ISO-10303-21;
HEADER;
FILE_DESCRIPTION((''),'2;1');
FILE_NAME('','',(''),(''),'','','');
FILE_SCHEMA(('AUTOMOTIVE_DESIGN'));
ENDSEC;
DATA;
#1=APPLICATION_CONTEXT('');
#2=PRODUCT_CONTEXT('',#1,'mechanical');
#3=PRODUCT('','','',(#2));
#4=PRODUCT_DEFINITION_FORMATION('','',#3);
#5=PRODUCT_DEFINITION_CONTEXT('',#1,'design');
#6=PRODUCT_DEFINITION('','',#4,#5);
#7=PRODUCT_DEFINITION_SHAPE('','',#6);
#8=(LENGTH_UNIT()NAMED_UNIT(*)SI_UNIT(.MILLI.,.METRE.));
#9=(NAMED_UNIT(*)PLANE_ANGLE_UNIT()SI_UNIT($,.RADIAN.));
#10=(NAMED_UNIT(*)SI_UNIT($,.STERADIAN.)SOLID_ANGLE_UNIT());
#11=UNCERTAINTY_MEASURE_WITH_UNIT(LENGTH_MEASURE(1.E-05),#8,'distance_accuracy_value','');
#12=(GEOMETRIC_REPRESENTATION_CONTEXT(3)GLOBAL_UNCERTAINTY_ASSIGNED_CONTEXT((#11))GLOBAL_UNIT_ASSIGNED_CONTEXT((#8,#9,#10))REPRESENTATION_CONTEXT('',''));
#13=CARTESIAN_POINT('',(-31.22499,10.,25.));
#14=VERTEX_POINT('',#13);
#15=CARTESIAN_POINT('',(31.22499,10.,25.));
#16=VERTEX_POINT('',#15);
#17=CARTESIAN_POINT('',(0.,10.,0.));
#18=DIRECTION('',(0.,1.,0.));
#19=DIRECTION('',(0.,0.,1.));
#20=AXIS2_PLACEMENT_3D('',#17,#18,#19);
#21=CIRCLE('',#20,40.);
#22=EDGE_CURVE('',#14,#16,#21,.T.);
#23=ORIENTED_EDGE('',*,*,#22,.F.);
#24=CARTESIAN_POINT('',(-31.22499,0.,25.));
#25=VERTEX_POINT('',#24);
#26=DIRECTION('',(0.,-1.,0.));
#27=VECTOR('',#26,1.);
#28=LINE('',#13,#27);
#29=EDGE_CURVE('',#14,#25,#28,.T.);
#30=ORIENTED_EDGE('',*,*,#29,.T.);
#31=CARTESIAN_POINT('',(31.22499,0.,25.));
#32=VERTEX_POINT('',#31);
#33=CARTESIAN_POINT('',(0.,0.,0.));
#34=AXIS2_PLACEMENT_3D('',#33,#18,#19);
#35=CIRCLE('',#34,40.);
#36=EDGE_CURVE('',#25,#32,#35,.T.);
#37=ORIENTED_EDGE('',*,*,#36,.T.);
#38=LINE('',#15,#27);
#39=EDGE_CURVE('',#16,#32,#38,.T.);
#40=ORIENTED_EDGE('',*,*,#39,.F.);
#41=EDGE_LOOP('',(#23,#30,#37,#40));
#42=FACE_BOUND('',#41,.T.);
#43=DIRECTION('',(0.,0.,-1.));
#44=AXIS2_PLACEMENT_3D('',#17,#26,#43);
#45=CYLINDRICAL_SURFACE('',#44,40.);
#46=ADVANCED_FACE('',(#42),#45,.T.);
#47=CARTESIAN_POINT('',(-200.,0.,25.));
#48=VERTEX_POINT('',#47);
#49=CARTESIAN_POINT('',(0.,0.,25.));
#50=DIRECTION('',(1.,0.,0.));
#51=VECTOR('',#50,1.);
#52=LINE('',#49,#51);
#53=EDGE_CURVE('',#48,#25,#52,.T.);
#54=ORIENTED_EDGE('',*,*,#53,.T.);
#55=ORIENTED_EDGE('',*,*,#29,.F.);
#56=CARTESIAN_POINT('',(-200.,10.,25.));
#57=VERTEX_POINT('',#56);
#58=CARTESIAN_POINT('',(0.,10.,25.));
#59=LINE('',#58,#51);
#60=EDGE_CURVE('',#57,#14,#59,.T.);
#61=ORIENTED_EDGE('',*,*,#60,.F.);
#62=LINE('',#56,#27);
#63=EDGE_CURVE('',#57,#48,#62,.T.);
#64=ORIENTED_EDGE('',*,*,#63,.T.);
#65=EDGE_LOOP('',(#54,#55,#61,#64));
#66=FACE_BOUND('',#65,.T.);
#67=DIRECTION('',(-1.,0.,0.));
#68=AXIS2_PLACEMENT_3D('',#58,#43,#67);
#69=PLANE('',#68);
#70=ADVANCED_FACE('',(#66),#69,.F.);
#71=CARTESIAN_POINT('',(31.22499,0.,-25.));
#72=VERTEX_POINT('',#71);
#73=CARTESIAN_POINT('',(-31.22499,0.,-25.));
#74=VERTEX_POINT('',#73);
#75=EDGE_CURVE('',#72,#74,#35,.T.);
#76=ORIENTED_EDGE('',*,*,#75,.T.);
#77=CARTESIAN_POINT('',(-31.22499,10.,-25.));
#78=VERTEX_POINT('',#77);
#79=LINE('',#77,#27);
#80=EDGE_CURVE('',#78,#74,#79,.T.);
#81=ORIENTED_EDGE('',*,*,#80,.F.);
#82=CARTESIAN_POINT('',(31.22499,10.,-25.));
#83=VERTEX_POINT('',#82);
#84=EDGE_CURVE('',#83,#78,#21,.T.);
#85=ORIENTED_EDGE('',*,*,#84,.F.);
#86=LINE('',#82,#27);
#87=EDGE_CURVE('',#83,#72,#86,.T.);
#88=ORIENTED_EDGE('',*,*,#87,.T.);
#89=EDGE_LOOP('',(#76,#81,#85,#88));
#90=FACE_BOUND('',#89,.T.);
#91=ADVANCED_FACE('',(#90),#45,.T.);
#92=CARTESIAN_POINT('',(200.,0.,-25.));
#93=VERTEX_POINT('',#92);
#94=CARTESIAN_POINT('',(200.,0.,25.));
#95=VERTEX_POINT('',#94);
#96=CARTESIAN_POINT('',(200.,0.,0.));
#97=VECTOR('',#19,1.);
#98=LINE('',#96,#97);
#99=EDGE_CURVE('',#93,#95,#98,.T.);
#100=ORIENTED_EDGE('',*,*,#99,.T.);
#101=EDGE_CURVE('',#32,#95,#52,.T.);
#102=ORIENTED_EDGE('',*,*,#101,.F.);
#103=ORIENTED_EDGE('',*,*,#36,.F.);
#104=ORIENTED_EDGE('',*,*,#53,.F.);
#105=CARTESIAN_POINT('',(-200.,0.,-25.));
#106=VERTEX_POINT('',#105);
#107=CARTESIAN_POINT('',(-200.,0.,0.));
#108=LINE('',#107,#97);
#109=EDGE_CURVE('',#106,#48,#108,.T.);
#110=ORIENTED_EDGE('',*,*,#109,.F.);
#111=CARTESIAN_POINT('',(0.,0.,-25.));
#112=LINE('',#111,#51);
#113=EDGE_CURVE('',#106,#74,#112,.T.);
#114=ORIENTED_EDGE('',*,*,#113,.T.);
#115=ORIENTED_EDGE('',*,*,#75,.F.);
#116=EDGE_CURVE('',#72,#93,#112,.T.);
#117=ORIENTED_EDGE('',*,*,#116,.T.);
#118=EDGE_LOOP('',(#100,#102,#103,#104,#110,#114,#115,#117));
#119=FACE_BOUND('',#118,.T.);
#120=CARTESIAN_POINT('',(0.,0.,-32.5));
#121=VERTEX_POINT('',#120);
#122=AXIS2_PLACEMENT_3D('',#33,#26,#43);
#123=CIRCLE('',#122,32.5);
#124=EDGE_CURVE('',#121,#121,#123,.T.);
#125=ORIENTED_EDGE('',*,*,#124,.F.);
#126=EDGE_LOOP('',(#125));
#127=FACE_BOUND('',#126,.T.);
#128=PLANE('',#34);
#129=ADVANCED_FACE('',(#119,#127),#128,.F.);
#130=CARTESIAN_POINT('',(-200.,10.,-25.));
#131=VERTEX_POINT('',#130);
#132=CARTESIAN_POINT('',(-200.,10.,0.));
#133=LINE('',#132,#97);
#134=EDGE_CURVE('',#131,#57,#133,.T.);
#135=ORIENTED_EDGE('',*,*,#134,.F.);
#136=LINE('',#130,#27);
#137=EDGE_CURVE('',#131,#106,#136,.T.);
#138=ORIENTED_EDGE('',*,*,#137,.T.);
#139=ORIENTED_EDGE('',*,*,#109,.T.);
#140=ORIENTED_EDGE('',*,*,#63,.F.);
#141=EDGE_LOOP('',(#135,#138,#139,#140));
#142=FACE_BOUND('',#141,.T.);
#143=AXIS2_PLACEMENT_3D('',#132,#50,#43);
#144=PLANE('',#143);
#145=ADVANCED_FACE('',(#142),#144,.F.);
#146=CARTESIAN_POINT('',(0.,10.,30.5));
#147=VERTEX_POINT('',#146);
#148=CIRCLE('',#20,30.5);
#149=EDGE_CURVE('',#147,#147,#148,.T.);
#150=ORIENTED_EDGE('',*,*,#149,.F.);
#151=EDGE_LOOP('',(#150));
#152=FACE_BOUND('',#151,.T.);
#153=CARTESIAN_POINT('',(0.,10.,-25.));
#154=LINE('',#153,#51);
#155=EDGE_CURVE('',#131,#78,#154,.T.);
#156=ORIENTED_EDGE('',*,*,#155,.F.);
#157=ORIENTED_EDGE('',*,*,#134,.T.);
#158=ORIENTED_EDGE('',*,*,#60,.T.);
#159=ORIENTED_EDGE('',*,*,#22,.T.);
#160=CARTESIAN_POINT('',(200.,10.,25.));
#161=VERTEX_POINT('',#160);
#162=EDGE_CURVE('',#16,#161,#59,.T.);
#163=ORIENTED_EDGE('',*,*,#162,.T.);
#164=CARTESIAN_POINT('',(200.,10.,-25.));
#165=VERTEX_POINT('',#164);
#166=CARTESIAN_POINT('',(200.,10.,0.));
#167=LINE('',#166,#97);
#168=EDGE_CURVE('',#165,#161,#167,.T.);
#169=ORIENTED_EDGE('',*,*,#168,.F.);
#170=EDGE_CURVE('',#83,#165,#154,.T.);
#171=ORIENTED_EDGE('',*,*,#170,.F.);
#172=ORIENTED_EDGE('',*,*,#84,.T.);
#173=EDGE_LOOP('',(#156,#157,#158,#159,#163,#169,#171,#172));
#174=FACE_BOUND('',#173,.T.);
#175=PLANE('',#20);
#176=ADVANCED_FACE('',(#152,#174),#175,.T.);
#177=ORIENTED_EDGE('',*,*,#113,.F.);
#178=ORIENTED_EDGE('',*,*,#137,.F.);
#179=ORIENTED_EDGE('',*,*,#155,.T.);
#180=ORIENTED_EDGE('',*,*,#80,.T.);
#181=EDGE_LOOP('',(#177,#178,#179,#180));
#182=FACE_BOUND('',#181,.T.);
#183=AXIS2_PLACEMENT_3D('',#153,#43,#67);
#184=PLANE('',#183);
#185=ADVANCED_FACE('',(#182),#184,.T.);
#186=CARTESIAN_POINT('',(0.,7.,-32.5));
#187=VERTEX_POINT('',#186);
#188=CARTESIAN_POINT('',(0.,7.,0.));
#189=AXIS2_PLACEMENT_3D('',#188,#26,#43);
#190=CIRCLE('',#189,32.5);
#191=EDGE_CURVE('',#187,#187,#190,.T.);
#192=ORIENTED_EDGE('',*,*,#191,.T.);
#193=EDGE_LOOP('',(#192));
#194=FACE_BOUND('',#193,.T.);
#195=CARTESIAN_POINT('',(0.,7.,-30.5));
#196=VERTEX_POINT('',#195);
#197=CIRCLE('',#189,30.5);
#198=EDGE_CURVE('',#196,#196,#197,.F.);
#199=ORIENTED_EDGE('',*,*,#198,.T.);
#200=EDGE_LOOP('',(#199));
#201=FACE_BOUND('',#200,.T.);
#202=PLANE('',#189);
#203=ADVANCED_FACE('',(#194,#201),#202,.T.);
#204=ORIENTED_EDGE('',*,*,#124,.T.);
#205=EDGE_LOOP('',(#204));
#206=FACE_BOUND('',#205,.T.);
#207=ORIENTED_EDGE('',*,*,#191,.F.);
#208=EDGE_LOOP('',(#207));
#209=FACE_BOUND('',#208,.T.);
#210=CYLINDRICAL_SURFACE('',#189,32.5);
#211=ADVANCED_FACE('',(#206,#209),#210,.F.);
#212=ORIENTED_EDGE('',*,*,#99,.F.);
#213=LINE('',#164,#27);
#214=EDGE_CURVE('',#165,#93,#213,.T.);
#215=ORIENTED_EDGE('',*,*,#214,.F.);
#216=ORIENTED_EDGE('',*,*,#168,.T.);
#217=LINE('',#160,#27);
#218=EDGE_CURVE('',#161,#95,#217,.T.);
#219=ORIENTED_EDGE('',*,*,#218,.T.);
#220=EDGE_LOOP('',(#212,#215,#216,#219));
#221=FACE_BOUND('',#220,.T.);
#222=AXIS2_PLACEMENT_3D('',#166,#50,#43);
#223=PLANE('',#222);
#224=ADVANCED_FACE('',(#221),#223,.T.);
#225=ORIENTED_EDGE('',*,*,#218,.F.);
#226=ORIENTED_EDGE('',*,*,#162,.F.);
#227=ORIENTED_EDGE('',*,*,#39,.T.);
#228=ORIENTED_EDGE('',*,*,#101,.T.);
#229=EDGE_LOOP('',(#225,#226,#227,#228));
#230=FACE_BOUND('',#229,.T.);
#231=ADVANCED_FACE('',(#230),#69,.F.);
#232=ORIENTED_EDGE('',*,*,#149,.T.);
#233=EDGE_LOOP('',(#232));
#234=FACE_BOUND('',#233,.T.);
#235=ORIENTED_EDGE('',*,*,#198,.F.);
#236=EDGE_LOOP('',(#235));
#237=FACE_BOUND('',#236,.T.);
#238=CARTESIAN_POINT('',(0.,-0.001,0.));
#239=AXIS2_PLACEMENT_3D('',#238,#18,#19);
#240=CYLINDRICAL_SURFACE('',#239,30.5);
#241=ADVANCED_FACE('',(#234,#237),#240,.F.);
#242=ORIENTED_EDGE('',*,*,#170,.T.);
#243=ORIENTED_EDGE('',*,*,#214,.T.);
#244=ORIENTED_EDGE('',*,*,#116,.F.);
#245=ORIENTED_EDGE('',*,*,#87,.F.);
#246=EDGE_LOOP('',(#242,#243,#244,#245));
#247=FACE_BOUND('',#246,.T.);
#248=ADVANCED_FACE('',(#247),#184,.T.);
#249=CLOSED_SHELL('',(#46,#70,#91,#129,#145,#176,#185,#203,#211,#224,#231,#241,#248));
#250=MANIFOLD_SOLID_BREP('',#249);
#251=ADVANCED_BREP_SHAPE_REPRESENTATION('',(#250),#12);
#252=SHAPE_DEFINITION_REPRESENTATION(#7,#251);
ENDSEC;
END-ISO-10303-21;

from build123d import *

# Parameters (mm, degrees)
BOSS_EXTRUDE1_DEPTH = 10
CUT_EXTRUDE3_REACH  = 206.206
SKETCH4_R           = 30.5
SKETCH3_R           = 32.5
CUT_EXTRUDE4_DEPTH  = 7


with BuildPart() as part:
    # Sketch1 → Boss-Extrude1 (new body)
    with BuildSketch(Plane(origin=(0, 0, 0), x_dir=(1, 0, 0), z_dir=(0, 1, 0))):
        with BuildLine():
            ThreePointArc((31.224989992, 25), (0, 40), (-31.224989992, 25))
            Line((-31.224989992, 25), (31.224989992, 25))
        make_face()
        with BuildLine():
            Line((31.224989992, 25), (-31.224989992, 25))
            ThreePointArc((-31.224989992, 25), (-40, 0), (-31.224989992, -25))
            Line((-31.224989992, -25), (31.224989992, -25))
            ThreePointArc((31.224989992, -25), (37.742546282, -13.247648854), (40, 0))
            ThreePointArc((40, 0), (37.742546282, 13.247648854), (31.224989992, 25))
        make_face()
        with BuildLine():
            Line((-31.224989992, 25), (-200, 25))
            Line((-200, 25), (-200, -25))
            Line((-200, -25), (-31.224989992, -25))
            ThreePointArc((-31.224989992, -25), (-40, 0), (-31.224989992, 25))
        make_face()
        with BuildLine():
            Line((200, 25), (31.224989992, 25))
            ThreePointArc((31.224989992, 25), (37.742546282, 13.247648854), (40, 0))
            ThreePointArc((40, 0), (37.742546282, -13.247648854), (31.224989992, -25))
            Line((31.224989992, -25), (200, -25))
            Line((200, -25), (200, 25))
        make_face()
        with BuildLine():
            Line((31.224989992, -25), (-31.224989992, -25))
            ThreePointArc((-31.224989992, -25), (0, -40), (31.224989992, -25))
        make_face()
    extrude(amount=BOSS_EXTRUDE1_DEPTH)

    # Sketch4 → Cut-Extrude3 (cut, up to next)
    with BuildSketch(Plane(origin=(0, 10, 0), x_dir=(1, 0, 0), z_dir=(0, 1, 0)), mode=Mode.PRIVATE) as cut_extrude3_sk1:
        with Locations(Location((0, 0, 0), (0, 0, 270))):
            Circle(SKETCH4_R)
    cut_extrude3_tool1 = extrude(cut_extrude3_sk1.sketch, amount=-CUT_EXTRUDE3_REACH, mode=Mode.PRIVATE) & part.part
    add(cut_extrude3_tool1.solids().sort_by_distance((0, 10, 0))[0], mode=Mode.SUBTRACT)

    # Sketch3 → Cut-Extrude4 (cut)
    with BuildSketch(Plane.XZ):
        with Locations(Location((0, 0, 0), (0, 0, 270))):
            Circle(SKETCH3_R)
    extrude(amount=-CUT_EXTRUDE4_DEPTH, mode=Mode.SUBTRACT)


solid = part.part
